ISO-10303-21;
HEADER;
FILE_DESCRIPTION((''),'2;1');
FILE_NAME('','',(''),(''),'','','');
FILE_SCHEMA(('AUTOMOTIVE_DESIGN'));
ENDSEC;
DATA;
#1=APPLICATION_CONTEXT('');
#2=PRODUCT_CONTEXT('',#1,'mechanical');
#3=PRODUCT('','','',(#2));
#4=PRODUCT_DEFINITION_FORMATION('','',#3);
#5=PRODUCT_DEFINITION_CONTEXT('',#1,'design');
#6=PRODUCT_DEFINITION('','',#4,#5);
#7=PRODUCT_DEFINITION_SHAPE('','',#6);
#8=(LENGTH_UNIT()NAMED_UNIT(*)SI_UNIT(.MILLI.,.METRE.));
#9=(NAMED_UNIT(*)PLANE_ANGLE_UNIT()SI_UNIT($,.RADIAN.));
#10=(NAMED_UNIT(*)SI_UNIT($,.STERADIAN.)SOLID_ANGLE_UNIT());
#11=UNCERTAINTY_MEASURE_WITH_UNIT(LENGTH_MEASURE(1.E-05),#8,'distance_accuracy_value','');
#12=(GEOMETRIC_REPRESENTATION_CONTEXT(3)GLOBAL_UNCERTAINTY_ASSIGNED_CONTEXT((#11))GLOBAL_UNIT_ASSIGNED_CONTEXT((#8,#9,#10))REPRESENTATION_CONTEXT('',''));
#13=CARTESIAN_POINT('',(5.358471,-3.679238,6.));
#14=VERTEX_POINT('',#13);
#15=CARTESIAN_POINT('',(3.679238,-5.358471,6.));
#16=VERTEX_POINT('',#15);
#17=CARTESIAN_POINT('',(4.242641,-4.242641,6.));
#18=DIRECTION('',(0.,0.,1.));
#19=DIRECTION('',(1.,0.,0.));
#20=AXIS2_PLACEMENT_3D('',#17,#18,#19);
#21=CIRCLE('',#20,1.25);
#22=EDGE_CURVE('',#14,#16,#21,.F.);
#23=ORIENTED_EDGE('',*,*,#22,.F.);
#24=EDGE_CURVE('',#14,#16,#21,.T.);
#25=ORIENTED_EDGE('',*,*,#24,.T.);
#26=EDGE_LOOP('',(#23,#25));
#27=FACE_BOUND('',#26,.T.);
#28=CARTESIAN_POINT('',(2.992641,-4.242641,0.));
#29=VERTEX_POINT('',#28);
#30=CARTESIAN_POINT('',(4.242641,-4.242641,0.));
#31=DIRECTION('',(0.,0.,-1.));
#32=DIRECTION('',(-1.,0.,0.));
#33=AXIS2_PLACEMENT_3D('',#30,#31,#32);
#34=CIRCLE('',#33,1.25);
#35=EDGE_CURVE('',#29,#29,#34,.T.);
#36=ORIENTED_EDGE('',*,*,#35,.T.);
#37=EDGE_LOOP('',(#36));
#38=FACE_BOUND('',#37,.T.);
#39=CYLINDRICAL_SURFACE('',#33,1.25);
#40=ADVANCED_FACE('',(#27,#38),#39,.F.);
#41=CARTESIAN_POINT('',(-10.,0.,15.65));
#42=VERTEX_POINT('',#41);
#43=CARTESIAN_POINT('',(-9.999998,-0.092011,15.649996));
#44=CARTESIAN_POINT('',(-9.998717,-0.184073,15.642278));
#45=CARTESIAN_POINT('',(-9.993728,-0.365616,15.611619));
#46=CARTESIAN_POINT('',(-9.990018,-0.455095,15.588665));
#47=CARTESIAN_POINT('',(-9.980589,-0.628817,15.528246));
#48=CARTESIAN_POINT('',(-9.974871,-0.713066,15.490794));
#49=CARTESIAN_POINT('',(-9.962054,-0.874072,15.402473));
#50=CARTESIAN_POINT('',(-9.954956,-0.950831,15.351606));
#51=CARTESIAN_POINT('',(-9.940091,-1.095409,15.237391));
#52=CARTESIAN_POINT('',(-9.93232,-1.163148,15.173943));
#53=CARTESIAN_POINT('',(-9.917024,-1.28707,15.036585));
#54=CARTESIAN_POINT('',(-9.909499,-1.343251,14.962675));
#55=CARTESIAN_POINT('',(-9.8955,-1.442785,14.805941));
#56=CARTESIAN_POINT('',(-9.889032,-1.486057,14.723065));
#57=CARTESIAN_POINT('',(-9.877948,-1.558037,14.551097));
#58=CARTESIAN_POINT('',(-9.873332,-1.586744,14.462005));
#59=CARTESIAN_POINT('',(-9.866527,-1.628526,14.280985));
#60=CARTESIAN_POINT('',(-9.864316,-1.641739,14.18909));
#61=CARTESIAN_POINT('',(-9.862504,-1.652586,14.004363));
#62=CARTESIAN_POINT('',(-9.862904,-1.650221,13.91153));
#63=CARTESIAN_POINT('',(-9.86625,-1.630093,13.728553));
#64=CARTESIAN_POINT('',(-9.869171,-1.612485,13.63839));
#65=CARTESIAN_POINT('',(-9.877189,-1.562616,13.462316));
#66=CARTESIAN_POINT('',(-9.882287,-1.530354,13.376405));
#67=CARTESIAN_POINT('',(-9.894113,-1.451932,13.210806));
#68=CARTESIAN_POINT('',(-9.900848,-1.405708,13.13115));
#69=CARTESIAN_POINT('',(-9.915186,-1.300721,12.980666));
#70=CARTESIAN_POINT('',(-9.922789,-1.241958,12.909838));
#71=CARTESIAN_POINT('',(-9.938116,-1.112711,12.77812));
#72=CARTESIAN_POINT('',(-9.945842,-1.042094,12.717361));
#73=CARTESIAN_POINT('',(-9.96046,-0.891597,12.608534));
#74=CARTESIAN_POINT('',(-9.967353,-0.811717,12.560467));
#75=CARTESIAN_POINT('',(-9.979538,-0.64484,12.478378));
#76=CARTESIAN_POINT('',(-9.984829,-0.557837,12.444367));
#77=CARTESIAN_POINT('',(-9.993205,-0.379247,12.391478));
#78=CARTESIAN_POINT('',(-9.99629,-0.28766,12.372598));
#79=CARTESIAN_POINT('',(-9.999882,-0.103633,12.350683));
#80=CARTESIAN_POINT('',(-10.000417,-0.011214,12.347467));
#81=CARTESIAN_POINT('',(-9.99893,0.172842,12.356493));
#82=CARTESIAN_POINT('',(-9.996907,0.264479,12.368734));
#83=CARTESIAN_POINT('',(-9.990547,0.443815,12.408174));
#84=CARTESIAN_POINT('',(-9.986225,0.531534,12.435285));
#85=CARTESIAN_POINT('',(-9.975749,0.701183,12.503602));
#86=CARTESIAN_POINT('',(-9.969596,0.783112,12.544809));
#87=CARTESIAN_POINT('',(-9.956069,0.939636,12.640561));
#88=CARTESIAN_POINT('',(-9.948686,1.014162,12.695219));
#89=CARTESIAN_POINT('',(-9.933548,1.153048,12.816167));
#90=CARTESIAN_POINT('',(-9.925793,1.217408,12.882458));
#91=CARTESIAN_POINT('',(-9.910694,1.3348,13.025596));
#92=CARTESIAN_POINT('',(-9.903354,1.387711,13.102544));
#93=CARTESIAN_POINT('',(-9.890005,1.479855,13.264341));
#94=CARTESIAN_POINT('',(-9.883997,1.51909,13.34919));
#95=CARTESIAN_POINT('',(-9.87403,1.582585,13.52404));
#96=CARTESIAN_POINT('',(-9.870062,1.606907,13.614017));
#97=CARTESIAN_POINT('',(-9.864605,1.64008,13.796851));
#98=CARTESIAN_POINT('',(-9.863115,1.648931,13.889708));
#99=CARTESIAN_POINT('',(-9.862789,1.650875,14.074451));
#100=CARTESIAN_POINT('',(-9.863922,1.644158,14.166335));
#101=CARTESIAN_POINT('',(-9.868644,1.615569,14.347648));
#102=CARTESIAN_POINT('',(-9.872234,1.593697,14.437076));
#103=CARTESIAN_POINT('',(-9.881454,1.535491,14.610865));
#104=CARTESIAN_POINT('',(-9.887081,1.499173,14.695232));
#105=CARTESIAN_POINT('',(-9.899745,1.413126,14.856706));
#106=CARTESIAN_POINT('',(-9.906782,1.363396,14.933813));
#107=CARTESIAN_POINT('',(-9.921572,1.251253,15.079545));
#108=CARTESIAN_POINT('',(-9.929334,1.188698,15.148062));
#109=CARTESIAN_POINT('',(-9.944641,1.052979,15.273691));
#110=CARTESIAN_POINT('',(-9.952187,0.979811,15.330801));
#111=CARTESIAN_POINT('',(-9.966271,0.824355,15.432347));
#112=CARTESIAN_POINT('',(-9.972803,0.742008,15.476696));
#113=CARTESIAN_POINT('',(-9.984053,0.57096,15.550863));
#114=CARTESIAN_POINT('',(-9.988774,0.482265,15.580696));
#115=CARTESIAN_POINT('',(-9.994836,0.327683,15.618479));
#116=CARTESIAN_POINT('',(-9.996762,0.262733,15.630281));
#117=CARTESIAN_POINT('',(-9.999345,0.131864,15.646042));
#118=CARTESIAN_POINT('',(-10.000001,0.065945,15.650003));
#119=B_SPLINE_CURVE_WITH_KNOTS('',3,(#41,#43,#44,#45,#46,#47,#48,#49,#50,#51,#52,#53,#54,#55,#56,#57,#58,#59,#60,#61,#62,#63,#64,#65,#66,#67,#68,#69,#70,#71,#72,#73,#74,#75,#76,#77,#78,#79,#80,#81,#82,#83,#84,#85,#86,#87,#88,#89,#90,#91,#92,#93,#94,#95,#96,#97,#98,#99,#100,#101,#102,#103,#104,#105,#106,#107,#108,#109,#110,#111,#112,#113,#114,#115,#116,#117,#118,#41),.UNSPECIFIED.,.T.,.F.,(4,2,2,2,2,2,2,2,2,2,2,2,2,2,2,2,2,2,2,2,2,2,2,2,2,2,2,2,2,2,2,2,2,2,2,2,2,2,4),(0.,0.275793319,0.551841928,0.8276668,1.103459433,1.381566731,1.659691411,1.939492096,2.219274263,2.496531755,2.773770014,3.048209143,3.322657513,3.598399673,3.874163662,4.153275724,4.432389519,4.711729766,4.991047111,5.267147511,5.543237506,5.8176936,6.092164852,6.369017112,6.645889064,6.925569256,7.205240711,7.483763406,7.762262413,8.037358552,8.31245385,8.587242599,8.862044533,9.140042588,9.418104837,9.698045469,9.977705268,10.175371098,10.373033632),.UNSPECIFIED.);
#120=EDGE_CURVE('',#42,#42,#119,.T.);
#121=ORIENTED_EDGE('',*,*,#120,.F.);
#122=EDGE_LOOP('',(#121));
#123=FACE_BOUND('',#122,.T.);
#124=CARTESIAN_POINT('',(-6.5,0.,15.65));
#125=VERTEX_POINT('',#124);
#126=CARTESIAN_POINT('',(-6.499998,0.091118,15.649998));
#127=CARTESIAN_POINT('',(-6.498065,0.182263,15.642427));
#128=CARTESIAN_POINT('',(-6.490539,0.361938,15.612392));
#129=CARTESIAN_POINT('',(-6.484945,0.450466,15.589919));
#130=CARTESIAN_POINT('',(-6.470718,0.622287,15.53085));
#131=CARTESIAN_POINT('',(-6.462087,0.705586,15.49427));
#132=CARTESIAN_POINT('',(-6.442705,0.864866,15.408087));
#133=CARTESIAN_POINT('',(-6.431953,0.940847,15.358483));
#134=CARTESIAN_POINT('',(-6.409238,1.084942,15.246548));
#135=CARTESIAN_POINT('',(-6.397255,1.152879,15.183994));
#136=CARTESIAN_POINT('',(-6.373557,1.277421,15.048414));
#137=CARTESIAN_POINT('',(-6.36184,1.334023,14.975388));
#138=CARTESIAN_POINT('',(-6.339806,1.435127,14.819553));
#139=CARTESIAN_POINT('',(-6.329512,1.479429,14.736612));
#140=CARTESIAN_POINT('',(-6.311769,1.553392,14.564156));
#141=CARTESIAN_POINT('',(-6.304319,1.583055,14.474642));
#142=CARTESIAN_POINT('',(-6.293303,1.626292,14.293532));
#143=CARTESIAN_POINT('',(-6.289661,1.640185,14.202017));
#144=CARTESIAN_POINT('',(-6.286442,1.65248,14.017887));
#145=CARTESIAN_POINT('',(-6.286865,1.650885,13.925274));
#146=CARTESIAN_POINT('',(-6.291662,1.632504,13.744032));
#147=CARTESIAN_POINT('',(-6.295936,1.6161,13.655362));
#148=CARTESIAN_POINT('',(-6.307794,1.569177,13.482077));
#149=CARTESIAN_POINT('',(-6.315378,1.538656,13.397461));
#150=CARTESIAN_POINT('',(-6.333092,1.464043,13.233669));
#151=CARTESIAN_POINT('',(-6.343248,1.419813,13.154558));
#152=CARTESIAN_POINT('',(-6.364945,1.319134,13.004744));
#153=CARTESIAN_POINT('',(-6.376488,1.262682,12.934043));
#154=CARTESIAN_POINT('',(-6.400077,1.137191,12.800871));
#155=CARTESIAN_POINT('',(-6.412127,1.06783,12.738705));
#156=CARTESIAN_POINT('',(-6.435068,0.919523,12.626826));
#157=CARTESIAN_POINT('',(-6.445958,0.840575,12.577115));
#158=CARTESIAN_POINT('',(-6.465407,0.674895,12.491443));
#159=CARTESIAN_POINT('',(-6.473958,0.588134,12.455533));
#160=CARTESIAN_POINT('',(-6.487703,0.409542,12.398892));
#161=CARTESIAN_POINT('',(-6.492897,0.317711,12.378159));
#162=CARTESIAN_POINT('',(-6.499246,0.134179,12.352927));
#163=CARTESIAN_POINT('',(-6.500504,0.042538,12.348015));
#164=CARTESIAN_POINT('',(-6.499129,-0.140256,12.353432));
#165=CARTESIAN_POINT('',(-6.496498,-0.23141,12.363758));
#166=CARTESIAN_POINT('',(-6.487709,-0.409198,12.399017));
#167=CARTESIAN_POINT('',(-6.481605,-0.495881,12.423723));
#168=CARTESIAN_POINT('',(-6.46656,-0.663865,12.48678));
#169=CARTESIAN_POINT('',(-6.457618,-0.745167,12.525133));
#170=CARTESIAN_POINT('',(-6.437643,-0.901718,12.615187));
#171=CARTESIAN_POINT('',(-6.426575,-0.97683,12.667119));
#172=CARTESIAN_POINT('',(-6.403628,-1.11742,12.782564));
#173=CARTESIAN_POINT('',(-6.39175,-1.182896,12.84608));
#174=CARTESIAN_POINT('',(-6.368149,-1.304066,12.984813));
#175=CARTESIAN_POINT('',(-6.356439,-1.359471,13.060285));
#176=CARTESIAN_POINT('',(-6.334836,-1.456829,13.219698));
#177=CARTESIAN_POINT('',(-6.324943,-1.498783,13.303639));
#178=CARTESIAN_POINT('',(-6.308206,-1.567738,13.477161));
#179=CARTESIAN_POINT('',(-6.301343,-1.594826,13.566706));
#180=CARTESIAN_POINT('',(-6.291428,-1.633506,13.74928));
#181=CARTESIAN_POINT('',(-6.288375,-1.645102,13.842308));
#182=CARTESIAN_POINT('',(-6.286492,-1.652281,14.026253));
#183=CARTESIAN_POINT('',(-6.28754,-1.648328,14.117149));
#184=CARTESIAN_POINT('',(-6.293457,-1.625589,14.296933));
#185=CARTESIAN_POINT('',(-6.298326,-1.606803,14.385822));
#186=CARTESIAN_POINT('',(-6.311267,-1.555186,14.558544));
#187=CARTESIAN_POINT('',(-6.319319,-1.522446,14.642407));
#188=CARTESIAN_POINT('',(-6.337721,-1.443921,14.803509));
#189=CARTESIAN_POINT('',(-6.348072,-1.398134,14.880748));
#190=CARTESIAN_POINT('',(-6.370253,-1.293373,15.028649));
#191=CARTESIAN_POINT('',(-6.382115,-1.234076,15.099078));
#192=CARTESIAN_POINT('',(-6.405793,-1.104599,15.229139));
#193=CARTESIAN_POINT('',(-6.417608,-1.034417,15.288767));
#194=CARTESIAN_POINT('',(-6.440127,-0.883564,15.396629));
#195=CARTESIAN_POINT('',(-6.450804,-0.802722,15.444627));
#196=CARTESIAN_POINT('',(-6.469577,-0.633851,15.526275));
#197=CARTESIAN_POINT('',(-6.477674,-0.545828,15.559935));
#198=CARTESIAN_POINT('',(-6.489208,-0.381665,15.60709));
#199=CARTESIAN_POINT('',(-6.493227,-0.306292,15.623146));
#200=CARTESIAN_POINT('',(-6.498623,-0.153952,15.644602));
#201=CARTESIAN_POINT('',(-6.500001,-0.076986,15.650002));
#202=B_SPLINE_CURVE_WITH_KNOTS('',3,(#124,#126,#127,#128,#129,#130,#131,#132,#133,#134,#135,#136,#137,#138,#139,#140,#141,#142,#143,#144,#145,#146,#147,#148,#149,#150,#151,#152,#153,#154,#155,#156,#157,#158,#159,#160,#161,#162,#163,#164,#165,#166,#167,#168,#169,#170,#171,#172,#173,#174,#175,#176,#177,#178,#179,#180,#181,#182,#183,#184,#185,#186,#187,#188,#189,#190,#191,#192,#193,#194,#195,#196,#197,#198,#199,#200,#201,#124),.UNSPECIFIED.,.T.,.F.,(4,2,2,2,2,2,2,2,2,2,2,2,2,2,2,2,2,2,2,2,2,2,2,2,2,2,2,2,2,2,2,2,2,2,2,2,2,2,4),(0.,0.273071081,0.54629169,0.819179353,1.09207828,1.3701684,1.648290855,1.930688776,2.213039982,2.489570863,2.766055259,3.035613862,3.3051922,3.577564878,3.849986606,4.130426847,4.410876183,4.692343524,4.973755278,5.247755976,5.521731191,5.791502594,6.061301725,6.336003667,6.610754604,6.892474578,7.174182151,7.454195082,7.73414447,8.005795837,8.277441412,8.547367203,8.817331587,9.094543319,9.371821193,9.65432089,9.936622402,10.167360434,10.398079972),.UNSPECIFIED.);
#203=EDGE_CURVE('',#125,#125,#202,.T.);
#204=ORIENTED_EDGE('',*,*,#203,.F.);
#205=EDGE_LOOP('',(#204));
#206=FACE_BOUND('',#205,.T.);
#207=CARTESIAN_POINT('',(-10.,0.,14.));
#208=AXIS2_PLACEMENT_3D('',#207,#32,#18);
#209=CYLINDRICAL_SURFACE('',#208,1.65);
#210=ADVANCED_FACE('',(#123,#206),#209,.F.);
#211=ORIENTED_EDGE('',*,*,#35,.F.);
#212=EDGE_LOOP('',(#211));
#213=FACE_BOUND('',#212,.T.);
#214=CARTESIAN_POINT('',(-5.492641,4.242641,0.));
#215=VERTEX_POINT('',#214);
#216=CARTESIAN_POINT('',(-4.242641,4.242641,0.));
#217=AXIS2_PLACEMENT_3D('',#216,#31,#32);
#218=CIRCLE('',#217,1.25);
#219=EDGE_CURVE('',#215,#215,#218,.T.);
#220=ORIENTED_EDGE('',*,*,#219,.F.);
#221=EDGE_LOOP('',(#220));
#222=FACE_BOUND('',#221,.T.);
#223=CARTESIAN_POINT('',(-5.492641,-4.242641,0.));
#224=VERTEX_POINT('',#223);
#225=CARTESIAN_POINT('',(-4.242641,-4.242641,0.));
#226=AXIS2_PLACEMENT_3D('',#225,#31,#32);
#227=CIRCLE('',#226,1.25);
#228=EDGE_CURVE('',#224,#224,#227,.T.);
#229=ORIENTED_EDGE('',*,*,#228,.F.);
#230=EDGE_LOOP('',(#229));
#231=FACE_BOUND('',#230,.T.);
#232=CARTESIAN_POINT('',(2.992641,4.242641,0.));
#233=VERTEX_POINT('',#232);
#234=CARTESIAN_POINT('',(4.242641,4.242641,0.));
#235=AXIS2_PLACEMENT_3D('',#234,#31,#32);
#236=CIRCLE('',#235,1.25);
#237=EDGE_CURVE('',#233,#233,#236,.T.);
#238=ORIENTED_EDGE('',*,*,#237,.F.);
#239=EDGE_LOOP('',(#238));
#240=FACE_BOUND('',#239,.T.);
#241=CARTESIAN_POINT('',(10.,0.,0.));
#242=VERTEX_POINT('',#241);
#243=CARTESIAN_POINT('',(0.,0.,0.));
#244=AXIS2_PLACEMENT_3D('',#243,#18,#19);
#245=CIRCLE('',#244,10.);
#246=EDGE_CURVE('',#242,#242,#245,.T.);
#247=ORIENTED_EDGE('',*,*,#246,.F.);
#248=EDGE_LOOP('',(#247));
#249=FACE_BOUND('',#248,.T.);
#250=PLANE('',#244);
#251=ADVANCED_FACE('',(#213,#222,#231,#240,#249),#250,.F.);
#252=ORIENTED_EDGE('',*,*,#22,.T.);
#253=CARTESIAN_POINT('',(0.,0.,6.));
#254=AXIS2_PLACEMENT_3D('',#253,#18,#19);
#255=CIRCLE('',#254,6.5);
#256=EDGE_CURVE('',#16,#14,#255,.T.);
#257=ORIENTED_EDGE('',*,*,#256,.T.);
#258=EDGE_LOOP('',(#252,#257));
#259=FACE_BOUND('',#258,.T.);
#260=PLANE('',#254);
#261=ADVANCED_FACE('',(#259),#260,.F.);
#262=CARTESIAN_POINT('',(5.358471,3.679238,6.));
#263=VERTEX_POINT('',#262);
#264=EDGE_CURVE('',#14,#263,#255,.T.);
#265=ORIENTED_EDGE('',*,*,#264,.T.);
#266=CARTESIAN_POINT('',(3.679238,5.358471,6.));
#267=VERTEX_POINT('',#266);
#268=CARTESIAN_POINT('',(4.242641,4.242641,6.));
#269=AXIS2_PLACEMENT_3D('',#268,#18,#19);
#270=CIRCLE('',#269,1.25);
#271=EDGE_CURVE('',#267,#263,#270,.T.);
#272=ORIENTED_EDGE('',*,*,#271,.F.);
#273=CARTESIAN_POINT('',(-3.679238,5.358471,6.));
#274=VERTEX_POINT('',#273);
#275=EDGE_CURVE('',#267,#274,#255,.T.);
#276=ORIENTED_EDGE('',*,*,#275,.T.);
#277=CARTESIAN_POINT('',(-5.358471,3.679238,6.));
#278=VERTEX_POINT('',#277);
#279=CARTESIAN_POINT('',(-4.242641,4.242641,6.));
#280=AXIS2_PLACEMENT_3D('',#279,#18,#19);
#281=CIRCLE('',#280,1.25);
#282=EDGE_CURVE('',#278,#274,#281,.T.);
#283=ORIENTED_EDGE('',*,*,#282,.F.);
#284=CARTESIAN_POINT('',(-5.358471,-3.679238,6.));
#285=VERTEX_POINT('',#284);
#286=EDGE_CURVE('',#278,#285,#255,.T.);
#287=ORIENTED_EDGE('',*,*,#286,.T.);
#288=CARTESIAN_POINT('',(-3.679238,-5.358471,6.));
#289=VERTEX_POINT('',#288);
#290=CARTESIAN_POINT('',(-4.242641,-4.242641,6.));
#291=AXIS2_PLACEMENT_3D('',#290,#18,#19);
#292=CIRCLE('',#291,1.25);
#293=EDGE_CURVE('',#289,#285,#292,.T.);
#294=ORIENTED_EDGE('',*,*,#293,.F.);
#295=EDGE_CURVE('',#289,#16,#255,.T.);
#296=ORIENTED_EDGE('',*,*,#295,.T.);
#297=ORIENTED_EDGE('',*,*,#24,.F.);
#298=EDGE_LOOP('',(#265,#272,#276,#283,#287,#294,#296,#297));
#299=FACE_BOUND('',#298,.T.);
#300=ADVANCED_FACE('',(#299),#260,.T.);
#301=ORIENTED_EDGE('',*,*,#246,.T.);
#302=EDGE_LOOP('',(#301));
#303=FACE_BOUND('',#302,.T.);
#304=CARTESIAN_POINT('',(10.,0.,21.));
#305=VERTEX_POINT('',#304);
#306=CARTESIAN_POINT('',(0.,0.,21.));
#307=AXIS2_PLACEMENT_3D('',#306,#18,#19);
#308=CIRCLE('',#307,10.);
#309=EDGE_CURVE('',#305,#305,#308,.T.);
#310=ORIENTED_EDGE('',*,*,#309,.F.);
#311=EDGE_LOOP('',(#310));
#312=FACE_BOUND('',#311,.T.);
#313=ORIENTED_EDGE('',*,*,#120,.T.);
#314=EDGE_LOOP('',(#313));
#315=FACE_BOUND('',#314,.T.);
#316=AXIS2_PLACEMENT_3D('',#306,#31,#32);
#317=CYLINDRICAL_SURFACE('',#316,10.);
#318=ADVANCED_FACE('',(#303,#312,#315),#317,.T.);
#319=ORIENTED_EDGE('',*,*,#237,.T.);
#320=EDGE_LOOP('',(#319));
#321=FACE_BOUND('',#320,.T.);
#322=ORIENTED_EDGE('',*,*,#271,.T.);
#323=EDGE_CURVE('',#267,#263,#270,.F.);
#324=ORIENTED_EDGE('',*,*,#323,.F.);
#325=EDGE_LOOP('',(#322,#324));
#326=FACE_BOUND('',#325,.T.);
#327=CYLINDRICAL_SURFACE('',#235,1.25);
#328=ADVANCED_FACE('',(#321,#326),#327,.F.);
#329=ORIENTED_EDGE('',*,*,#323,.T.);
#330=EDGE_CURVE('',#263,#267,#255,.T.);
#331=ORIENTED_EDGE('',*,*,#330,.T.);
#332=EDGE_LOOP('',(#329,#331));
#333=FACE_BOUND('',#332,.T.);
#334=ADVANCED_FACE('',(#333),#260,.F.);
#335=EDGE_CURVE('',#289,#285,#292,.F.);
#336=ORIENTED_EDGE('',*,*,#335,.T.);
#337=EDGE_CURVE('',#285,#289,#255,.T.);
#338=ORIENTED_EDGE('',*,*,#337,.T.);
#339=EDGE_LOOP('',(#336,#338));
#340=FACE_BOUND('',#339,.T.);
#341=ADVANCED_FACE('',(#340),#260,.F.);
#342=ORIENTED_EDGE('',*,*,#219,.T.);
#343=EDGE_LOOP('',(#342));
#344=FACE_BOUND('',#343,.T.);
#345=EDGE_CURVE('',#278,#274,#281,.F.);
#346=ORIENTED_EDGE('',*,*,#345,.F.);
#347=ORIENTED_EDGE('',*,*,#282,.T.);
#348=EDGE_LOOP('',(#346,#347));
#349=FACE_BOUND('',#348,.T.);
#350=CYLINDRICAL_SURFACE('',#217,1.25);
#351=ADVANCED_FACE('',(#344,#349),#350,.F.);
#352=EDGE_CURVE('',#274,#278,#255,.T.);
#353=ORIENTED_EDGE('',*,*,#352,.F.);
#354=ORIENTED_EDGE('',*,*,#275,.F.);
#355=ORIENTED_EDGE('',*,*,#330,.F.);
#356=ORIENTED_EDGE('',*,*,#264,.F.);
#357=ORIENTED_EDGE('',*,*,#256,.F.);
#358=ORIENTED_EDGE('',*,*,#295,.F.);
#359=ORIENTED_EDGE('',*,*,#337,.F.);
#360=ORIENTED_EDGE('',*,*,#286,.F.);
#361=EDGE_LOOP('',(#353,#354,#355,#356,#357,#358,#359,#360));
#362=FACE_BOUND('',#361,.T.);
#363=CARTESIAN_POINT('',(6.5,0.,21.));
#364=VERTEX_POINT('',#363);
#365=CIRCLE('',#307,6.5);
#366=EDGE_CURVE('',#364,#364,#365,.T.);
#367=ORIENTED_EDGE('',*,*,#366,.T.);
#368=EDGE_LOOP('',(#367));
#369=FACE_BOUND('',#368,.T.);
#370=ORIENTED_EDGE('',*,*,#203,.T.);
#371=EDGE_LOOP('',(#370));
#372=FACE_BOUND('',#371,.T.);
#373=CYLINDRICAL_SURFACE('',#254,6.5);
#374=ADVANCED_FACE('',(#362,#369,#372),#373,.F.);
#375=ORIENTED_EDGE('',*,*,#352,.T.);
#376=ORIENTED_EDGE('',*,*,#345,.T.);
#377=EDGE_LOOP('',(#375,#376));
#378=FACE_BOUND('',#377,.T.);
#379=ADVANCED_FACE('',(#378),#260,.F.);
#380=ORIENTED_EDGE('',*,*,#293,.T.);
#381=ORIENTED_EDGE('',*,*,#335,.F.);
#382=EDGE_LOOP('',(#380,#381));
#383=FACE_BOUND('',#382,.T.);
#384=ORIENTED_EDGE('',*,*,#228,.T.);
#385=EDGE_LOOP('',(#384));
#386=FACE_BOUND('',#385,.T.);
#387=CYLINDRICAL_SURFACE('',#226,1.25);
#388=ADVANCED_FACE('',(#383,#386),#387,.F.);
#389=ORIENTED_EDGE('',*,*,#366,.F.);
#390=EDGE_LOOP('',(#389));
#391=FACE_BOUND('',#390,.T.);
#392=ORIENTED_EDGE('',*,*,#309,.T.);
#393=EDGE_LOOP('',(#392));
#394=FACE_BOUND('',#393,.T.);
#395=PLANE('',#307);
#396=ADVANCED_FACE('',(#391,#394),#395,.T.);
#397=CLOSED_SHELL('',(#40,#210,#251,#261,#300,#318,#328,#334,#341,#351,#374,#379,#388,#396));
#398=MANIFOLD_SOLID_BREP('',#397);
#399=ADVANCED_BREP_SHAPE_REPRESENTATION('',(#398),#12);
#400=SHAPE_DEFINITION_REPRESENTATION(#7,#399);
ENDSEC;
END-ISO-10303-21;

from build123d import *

# Parameters (mm, degrees)
SKETCH_1_R          = 10
EXTRUDE_1_DEPTH     = 21
SKETCH_2_R          = 6.5
CUT_EXTRUDE_1_DEPTH = 15
M4X0_71_D           = 3.3
M4X0_71_DEPTH       = 5
M4X0_71_TIP         = 0.991420021
M3X0_51_D           = 2.5
M3X0_51_DEPTH       = 6


with BuildPart() as part:
    # Эскиз1 → Бобышка-Вытянуть1 (new body)
    with BuildSketch(Plane.XY):
        with Locations(Location((0, 0, 0), (0, 0, 180))):
            Circle(SKETCH_1_R)
    extrude(amount=EXTRUDE_1_DEPTH)

    # Эскиз2 → Вырез-Вытянуть1 (cut)
    with BuildSketch(Plane.XY.offset(21)):
        Circle(SKETCH_2_R)
    extrude(amount=-CUT_EXTRUDE_1_DEPTH, mode=Mode.SUBTRACT)

    # Отверстие обработанное метчиком M4x0.71
    with Locations(Plane(origin=(-10, 0, 0), x_dir=(0, 0, -1), z_dir=(-1, 0, 0))):
        with Locations((-14, 0)):
            Hole(M4X0_71_D / 2, depth=M4X0_71_DEPTH)
            with Locations((0, 0, -(M4X0_71_DEPTH + M4X0_71_TIP / 2))):  # 118° drill point
                Cone(0, M4X0_71_D / 2, M4X0_71_TIP, mode=Mode.SUBTRACT)

    # Отверстие обработанное метчиком M3x0.51
    with Locations(Plane(origin=(0, 0, 0), x_dir=(-1, 0, 0), z_dir=(0, 0, -1))):
        with Locations((-4.242640687, 4.242640687), (4.242640687, 4.242640687), (4.242640687, -4.242640687), (-4.242640687, -4.242640687)):
            Hole(M3X0_51_D / 2, depth=M3X0_51_DEPTH)


solid = part.part
